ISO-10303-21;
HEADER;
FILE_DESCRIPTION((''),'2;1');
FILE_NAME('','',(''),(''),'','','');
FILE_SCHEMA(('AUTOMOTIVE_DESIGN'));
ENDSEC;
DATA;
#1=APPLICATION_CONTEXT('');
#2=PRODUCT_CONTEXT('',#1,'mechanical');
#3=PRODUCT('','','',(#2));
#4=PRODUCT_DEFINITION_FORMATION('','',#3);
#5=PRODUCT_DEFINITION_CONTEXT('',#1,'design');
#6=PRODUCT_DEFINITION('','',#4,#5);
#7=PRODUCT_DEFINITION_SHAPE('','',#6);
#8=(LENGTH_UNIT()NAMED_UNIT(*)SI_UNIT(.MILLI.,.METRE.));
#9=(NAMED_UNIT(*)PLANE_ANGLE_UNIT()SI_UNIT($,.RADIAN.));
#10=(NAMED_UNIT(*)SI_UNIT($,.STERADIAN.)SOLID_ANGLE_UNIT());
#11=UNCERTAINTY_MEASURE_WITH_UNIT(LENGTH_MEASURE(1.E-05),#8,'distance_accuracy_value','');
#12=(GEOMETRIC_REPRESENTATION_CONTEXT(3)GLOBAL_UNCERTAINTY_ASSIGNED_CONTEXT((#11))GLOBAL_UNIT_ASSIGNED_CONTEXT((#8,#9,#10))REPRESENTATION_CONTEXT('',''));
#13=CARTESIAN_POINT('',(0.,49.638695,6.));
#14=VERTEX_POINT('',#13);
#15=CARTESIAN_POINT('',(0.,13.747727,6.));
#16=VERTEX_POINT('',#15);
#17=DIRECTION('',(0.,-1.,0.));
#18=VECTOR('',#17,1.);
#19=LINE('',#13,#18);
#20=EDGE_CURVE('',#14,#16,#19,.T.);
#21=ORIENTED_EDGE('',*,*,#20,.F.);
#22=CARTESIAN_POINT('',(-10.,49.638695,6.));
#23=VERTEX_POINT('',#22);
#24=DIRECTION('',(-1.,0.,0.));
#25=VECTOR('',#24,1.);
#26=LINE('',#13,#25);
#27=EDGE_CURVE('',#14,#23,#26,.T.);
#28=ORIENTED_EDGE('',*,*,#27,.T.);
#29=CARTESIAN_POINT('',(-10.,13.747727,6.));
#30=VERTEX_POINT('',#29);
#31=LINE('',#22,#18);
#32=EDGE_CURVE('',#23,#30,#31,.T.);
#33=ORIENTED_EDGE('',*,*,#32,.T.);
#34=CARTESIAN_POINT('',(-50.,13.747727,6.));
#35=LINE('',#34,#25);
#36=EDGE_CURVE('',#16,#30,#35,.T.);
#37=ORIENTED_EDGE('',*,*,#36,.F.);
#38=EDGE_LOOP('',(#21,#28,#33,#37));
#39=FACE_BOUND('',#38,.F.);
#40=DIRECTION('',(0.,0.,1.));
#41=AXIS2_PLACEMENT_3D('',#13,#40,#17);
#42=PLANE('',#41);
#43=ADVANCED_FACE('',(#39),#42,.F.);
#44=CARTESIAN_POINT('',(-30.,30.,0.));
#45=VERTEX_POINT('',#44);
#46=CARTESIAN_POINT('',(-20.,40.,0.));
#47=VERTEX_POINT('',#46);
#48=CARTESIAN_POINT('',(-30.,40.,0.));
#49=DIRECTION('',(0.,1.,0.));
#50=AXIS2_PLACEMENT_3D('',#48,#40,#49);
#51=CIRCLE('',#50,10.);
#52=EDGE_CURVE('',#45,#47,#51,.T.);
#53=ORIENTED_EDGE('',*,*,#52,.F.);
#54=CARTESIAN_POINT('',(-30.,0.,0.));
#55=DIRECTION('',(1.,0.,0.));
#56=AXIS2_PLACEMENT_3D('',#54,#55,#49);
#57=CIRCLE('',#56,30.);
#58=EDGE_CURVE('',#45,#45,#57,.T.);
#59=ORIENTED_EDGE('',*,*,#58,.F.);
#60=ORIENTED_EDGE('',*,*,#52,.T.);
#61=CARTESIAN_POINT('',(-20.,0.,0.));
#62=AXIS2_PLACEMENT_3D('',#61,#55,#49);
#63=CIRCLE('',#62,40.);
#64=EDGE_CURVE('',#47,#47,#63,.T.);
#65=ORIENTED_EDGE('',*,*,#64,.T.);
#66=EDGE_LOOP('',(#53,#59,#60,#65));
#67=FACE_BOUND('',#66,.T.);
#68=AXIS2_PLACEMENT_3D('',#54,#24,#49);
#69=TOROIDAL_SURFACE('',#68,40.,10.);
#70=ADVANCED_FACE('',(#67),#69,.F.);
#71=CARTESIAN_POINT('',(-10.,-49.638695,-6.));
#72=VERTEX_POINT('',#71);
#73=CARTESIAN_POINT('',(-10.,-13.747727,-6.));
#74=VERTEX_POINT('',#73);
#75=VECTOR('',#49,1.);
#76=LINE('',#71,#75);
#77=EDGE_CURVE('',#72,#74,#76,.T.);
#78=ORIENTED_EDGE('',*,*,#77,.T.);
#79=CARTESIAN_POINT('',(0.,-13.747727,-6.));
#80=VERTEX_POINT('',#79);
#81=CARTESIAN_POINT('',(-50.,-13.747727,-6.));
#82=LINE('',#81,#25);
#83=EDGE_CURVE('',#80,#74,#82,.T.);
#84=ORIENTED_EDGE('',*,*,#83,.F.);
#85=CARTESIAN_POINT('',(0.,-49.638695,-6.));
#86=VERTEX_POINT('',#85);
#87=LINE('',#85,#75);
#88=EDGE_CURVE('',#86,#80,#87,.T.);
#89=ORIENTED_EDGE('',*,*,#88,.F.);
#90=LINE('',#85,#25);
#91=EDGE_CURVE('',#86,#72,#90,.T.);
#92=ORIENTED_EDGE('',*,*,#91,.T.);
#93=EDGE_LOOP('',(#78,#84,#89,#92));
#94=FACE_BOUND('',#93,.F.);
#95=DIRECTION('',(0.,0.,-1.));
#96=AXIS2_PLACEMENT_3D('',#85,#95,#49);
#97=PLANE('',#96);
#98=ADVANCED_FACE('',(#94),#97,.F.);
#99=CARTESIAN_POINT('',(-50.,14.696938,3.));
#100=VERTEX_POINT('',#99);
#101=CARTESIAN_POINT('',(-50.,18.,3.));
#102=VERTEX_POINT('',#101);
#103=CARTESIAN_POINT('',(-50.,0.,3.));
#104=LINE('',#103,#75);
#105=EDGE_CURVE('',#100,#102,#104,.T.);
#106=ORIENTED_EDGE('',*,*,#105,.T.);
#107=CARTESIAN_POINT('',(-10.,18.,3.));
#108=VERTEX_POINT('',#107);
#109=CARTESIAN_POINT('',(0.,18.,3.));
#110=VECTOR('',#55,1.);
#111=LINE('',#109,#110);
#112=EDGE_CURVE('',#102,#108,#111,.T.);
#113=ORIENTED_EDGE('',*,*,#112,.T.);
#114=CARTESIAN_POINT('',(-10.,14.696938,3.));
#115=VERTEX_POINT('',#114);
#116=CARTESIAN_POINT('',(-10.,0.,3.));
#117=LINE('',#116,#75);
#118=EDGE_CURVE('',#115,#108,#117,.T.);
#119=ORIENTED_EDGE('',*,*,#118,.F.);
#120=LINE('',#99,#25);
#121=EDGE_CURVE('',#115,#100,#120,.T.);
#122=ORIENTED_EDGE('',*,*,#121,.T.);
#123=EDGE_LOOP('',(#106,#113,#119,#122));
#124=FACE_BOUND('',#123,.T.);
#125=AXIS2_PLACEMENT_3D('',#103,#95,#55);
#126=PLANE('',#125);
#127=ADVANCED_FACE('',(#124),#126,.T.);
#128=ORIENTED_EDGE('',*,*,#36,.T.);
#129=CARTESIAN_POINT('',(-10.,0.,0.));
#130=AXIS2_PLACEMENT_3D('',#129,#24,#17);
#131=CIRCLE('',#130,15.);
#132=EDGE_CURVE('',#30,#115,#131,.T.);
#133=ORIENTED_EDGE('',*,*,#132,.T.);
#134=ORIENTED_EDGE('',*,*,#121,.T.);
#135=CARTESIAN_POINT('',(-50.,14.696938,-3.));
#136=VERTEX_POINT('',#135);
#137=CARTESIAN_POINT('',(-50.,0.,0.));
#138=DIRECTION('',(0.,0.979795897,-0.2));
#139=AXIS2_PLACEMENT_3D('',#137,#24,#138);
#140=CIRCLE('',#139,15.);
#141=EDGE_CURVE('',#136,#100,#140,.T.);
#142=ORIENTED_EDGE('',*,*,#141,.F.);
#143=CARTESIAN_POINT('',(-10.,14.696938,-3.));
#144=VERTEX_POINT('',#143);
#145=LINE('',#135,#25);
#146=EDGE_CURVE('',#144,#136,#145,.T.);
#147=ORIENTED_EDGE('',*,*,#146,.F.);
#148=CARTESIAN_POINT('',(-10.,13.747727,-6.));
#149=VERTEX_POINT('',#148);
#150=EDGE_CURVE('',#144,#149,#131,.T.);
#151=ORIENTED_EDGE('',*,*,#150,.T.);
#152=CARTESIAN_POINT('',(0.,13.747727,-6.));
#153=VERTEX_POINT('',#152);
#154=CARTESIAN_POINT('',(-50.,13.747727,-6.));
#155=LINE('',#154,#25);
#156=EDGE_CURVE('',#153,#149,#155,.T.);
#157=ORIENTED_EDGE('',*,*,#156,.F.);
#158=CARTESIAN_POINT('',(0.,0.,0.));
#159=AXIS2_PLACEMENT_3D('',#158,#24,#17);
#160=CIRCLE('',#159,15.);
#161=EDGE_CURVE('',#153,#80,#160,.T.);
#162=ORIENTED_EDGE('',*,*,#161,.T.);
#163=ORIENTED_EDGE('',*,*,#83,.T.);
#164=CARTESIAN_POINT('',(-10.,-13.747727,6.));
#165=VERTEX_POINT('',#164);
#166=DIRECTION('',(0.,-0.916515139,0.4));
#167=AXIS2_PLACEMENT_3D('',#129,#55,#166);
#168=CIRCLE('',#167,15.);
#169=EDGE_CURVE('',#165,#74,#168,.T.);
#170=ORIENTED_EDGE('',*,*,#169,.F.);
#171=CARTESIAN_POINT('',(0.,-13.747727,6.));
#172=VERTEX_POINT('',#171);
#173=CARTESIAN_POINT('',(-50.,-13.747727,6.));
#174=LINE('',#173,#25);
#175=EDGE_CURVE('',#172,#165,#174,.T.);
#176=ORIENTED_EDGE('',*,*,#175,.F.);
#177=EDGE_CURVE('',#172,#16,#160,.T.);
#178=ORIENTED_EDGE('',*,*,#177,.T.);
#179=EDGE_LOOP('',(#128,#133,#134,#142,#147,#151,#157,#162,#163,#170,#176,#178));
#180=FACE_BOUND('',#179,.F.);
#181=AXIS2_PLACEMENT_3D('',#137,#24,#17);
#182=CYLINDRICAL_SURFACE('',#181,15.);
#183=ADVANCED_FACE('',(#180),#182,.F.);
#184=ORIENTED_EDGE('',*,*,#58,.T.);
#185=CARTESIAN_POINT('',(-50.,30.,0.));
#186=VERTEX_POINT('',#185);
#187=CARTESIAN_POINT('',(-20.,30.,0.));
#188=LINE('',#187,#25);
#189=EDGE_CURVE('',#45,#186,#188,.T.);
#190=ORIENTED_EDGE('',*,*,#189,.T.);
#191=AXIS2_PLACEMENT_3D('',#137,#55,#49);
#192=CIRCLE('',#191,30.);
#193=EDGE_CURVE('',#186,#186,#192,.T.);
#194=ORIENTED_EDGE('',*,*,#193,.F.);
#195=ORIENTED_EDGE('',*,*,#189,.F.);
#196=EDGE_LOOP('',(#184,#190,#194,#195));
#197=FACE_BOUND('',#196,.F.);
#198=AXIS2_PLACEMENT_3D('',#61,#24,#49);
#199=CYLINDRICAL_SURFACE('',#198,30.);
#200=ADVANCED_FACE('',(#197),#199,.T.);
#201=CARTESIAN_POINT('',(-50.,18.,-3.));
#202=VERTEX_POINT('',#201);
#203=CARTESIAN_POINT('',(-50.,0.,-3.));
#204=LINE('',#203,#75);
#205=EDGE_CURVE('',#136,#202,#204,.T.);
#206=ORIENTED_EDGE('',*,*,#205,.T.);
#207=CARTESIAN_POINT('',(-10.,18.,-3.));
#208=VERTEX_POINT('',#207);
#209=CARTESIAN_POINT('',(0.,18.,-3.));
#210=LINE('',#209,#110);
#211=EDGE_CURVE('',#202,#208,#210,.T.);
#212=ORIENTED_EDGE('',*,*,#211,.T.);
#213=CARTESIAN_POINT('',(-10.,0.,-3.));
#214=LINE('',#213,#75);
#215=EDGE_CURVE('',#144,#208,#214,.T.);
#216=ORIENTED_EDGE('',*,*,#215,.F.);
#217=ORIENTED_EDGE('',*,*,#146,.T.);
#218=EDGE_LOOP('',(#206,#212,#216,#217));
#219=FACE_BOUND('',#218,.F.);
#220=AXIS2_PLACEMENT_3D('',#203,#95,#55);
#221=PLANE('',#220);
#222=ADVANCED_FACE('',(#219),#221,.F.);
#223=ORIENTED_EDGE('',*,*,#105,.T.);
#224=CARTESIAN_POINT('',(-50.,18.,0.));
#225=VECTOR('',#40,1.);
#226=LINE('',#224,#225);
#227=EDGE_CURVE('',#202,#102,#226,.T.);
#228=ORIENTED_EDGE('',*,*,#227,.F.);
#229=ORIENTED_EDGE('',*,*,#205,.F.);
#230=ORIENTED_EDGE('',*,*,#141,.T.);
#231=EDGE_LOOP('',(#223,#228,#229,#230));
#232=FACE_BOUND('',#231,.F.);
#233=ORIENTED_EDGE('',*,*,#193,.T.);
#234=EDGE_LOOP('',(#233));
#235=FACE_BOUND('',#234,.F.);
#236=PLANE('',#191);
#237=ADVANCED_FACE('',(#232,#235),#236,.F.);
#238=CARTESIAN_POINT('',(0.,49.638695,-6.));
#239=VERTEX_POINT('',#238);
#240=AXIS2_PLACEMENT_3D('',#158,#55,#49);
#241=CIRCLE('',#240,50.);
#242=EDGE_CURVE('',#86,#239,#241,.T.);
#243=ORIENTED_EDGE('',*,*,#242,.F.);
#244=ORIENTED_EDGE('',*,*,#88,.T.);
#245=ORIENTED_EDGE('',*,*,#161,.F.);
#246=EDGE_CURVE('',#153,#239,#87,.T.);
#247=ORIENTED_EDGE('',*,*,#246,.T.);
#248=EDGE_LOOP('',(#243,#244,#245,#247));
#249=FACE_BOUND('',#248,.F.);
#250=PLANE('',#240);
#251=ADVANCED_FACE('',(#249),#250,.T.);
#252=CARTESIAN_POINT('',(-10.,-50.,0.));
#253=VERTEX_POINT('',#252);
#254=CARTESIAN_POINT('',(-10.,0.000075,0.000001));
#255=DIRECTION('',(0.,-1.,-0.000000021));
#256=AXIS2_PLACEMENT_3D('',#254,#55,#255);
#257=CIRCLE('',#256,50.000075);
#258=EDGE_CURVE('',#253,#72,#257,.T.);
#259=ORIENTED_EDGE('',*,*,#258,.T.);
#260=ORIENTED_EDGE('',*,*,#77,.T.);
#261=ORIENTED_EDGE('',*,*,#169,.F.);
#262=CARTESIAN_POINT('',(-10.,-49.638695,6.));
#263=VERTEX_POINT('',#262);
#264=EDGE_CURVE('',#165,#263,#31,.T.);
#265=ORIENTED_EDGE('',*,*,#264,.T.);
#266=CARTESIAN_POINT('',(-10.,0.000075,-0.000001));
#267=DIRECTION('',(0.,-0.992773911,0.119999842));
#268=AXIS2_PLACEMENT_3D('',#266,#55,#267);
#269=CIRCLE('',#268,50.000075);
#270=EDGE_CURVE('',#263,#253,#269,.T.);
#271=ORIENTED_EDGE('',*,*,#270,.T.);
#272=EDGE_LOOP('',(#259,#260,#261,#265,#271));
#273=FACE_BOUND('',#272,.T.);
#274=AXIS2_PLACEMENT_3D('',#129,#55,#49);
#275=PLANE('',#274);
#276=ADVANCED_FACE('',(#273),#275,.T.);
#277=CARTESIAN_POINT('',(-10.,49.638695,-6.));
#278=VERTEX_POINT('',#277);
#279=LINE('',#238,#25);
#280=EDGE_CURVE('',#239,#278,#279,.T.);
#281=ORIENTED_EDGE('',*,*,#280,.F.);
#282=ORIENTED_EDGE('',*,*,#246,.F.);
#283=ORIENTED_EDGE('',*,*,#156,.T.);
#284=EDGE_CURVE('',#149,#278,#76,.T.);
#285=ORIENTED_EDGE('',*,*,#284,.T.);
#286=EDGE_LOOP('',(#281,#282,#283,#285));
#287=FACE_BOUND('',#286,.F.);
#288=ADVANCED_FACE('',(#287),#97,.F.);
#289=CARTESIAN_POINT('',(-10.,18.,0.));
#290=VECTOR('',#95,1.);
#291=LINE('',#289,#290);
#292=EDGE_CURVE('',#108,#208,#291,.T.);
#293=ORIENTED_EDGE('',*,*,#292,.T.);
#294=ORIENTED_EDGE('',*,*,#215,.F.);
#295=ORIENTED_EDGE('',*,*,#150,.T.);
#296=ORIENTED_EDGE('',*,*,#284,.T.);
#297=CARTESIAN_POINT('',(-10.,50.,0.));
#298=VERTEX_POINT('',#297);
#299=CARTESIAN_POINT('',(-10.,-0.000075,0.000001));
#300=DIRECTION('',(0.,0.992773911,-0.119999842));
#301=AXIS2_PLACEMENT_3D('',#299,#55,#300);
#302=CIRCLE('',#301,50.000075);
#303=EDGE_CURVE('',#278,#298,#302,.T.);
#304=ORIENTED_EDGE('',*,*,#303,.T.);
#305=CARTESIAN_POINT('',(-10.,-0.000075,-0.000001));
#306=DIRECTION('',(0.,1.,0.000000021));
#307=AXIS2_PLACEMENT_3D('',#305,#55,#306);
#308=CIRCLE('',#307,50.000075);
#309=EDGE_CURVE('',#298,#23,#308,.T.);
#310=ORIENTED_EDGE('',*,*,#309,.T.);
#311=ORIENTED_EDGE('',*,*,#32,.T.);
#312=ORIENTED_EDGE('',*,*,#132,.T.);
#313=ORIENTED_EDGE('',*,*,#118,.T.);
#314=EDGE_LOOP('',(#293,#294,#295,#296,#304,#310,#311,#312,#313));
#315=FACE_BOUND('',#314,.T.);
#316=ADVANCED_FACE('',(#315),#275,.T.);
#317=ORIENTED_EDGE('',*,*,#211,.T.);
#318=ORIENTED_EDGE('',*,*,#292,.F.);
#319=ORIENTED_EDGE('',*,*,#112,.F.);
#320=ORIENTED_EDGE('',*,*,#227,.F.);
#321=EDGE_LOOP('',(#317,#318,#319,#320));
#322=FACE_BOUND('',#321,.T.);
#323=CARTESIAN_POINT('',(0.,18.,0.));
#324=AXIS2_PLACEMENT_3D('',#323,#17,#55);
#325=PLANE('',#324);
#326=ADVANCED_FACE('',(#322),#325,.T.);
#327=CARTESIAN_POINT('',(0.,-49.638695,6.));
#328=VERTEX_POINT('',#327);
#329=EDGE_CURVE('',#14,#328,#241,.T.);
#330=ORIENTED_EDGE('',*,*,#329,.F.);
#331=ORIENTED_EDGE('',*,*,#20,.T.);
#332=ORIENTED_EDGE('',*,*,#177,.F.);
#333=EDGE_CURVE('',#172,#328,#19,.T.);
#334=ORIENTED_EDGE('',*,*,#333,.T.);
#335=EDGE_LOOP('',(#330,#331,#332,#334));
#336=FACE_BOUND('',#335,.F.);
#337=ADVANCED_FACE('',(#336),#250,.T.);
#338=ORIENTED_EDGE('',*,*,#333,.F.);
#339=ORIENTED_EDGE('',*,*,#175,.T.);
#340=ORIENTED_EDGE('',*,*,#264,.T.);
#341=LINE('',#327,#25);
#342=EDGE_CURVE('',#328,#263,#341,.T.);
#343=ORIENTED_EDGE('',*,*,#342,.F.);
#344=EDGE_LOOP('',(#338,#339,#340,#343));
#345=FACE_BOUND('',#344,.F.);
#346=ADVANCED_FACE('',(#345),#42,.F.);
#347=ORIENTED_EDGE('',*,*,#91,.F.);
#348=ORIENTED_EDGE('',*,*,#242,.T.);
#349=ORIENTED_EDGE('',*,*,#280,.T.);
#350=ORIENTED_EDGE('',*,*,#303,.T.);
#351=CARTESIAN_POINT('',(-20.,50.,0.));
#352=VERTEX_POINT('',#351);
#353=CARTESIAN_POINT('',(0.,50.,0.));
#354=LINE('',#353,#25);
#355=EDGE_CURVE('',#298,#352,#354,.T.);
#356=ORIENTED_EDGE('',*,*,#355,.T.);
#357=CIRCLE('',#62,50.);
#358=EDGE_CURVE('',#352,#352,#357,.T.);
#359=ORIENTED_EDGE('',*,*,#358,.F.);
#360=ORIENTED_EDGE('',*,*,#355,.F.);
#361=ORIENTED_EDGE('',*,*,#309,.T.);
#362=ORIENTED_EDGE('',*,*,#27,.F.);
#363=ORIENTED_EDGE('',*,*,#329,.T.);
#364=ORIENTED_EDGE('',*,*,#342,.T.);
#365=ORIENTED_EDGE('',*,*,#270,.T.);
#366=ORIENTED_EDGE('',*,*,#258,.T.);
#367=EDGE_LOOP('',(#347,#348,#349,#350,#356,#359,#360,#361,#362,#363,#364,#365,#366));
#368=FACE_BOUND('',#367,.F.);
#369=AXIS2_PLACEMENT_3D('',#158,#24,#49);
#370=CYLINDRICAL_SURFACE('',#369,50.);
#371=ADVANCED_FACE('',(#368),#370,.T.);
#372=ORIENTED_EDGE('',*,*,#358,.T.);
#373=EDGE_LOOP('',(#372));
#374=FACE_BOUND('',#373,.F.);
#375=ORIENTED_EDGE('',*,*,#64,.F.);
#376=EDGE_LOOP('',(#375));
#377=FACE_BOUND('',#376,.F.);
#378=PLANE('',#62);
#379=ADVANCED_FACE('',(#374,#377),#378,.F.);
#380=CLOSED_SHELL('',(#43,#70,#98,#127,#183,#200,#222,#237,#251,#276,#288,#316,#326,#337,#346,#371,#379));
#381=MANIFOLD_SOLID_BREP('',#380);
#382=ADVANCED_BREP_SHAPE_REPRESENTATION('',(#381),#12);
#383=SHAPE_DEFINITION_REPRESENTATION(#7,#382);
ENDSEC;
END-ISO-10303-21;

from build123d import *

# Parameters (mm, degrees)
F3_DEPTH = 10
F4_R     = 15
F5_DEPTH = 52.4
F6_W     = 100
F6_H     = 6
F7_DEPTH = 18
F8_R     = 10


with BuildPart() as f1:
    # F0 (on Top) → F1 (revolve)
    with BuildSketch(Plane.XY):
        Polygon((-50, 0), (0, 0), (0, 50), (-20, 50), (-20, 30), (-50, 30), align=None)
    revolve(axis=Axis((-25, 0, 0), (1, 0, 0)))

    # F2 (on face) → F3 (cut)
    with BuildSketch(Plane.YZ):
        with BuildLine():
            Line((49.638695, 6), (-49.638695, 6))
            ThreePointArc((-49.638695, 6), (-49.909592, 3.005434), (-50, 0))
            ThreePointArc((-50, 0), (-49.909592, -3.005434), (-49.638695, -6))
            Line((-49.638695, -6), (49.638695, -6))
            ThreePointArc((49.638695, -6), (49.909592, -3.005434), (50, 0))
            ThreePointArc((50, 0), (49.909592, 3.005434), (49.638695, 6))
        make_face()
    extrude(amount=-F3_DEPTH, mode=Mode.SUBTRACT)

    # F4 (on face) → F5 (cut)
    with BuildSketch(Plane(origin=(-50, 0, 0), x_dir=(0, -1, 0), z_dir=(-1, 0, 0))):
        Circle(F4_R)
    extrude(amount=-F5_DEPTH, mode=Mode.SUBTRACT)

    # F6 (on Front) → F7 (cut)
    with BuildSketch(Plane.XZ):
        Rectangle(F6_W, F6_H)
    extrude(amount=-F7_DEPTH, mode=Mode.SUBTRACT)

    # F8
    f8_edges = [f1.edges().sort_by_distance(p)[0] for p in [
        (-20, -30, 0),
    ]]
    fillet(f8_edges, radius=F8_R)


solid = f1.part
